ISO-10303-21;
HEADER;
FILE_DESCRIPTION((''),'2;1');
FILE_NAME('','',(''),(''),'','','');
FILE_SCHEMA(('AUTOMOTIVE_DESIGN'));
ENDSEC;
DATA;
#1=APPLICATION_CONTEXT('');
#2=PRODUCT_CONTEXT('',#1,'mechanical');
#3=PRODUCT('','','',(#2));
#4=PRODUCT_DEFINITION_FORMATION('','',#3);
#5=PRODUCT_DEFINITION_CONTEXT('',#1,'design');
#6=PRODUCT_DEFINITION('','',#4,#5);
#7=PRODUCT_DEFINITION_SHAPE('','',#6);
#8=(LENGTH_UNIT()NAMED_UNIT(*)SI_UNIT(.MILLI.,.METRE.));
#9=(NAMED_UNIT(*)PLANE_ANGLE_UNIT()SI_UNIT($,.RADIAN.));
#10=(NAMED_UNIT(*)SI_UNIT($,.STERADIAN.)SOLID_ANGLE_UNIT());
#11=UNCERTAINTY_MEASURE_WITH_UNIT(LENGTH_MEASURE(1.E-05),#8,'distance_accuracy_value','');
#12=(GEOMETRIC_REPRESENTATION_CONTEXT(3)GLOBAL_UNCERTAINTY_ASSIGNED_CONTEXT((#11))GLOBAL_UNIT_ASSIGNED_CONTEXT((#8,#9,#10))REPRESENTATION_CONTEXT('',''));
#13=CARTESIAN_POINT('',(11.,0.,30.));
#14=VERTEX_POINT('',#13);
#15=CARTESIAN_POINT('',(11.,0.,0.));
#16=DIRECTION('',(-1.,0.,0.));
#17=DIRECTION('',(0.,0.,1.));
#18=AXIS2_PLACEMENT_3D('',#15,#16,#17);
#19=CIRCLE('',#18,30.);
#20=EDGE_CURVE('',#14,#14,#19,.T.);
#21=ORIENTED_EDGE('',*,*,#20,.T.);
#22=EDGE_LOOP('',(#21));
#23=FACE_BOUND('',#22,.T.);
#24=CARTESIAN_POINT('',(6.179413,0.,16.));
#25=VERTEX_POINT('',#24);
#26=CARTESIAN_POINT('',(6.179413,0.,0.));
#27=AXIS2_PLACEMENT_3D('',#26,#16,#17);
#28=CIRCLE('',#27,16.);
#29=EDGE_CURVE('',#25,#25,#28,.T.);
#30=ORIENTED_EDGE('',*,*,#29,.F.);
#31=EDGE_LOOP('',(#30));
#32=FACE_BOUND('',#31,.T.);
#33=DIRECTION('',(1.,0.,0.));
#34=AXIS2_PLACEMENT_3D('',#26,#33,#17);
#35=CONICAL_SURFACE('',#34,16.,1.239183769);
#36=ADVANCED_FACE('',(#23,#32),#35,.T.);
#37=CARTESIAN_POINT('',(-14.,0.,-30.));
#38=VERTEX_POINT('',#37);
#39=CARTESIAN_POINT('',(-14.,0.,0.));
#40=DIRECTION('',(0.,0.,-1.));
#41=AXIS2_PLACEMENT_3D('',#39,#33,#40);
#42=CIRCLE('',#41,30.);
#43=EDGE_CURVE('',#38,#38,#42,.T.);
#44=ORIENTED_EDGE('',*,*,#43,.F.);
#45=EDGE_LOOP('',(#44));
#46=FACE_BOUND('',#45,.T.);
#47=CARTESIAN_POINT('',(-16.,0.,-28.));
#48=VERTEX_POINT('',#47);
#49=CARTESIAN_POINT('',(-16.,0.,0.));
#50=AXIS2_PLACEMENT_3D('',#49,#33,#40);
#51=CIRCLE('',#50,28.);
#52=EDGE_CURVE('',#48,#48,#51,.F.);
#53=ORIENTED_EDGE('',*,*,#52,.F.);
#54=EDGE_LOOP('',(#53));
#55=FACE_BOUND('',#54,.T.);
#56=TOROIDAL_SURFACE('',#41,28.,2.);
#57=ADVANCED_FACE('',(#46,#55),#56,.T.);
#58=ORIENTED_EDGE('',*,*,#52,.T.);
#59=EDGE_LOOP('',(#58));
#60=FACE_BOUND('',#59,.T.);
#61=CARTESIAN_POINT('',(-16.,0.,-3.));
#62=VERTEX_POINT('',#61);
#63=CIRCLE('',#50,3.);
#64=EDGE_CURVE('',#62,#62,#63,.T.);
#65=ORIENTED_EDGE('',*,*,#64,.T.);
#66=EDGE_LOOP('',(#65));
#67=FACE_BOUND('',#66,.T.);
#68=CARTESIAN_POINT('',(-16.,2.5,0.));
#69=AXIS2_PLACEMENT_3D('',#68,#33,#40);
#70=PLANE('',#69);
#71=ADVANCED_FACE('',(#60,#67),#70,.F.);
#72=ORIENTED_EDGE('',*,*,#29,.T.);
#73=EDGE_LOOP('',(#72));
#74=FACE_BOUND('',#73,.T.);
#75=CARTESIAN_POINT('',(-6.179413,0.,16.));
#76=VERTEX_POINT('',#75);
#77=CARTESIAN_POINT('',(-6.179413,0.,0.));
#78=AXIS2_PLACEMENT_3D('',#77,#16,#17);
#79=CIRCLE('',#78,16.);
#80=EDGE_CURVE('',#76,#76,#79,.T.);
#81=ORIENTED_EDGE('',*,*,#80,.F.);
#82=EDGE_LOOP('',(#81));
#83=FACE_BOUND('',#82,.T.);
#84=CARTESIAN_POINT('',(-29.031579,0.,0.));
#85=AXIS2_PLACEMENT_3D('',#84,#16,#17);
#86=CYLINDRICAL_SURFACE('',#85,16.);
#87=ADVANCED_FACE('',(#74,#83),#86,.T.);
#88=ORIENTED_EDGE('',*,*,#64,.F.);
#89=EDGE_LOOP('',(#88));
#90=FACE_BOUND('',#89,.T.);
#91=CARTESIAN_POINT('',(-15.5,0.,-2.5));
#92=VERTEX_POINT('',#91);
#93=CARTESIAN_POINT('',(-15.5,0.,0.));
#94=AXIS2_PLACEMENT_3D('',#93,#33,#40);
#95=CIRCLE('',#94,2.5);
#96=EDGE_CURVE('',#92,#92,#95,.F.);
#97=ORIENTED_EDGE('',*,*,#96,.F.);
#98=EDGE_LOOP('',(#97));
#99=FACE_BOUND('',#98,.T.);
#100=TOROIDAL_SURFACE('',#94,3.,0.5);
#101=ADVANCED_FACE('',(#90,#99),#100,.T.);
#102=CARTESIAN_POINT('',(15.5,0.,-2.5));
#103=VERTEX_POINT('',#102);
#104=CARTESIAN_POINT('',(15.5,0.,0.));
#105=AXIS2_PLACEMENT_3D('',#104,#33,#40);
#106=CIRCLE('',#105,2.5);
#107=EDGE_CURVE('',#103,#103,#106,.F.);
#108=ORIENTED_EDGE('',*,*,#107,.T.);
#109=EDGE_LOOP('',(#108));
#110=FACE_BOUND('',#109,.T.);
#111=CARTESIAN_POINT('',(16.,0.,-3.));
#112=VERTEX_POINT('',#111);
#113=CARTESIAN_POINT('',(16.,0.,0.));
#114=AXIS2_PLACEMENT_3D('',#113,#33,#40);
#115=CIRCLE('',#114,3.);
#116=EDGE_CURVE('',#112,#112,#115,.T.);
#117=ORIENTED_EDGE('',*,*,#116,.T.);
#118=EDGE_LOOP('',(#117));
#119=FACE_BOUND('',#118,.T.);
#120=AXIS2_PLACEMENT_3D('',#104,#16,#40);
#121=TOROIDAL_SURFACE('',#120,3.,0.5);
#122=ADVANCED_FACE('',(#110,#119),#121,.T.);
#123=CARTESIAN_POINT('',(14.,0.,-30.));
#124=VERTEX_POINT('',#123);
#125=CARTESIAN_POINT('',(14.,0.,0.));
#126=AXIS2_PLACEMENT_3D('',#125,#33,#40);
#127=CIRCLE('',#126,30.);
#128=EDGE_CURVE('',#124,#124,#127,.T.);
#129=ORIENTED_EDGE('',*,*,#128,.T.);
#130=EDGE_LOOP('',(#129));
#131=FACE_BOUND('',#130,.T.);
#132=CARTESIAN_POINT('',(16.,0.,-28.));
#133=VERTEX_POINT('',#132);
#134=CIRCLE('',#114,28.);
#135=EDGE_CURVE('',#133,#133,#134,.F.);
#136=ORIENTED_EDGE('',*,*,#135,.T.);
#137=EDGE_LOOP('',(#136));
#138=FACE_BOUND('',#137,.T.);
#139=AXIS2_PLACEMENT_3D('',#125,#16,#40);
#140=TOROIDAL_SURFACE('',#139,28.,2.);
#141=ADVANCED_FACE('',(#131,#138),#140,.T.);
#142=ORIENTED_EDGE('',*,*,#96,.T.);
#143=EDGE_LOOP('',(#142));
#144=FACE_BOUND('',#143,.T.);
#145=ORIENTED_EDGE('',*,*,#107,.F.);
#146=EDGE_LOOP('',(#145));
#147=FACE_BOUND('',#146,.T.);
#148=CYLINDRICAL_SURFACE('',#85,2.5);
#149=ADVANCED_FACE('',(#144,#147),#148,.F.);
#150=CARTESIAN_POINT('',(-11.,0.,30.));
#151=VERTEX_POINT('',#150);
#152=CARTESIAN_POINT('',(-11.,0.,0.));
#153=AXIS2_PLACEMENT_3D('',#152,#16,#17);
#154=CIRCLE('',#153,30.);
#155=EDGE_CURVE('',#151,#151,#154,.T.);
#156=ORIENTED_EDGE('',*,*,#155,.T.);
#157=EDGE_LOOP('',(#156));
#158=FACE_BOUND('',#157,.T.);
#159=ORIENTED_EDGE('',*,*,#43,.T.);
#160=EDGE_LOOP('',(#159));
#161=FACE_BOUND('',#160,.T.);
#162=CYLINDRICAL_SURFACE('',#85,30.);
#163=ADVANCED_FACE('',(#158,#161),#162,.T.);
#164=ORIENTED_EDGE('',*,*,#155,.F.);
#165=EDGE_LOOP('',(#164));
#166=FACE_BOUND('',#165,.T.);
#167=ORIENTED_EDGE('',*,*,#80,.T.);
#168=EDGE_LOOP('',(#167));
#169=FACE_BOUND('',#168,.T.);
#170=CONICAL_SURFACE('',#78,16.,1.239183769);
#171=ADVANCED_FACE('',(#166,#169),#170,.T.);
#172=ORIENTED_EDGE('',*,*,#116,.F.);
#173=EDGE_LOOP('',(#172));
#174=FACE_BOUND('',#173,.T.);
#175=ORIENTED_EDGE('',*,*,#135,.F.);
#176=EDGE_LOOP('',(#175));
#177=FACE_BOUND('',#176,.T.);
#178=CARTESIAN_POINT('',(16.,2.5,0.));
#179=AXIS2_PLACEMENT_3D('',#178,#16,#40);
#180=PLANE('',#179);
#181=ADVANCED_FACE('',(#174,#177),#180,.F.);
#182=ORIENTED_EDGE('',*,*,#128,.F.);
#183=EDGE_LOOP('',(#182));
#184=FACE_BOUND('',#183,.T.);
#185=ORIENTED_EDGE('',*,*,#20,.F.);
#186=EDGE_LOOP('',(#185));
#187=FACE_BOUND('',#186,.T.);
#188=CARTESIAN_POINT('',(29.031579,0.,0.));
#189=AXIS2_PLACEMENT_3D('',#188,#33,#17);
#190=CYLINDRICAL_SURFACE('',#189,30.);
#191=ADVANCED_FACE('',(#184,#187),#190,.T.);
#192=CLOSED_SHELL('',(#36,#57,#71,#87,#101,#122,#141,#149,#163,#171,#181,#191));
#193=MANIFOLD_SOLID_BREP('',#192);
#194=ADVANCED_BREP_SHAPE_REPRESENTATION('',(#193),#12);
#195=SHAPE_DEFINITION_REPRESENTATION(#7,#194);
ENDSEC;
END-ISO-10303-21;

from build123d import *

# Parameters (mm, degrees)
REDONDEO2_R = 2
REDONDEO3_R = 0.5


with BuildPart() as part:
    # Croquis1 → Revolución1 (revolve)
    with BuildSketch(Plane.XY, mode=Mode.PRIVATE) as revoluci_n1_sk:
        Polygon((-16, 2.5), (-16, 30), (-11, 30), (-6.179413414, 16), (0, 16), (0, 2.5), align=None)
    revolve(revoluci_n1_sk.sketch.rotate(Axis((-29.031578947, 0, 0), (1, 0, 0)), 90), axis=Axis((-29.031578947, 0, 0), (1, 0, 0)))

    # Redondeo2
    redondeo2_edges = [part.edges().sort_by_distance(p)[0] for p in [
        (-16, 0, -30),
    ]]
    fillet(redondeo2_edges, radius=REDONDEO2_R)

    # Redondeo3
    redondeo3_edges = [part.edges().sort_by_distance(p)[0] for p in [
        (-16, 0, -2.5),
    ]]
    fillet(redondeo3_edges, radius=REDONDEO3_R)

    # Simetría2: part across plane


with BuildPart() as part_1:
    add(part.part)
    add(part.part.mirror(Plane(origin=(0, 0, 0), x_dir=(0, 0, 1), z_dir=(1, 0, 0))))


solid = part_1.part
